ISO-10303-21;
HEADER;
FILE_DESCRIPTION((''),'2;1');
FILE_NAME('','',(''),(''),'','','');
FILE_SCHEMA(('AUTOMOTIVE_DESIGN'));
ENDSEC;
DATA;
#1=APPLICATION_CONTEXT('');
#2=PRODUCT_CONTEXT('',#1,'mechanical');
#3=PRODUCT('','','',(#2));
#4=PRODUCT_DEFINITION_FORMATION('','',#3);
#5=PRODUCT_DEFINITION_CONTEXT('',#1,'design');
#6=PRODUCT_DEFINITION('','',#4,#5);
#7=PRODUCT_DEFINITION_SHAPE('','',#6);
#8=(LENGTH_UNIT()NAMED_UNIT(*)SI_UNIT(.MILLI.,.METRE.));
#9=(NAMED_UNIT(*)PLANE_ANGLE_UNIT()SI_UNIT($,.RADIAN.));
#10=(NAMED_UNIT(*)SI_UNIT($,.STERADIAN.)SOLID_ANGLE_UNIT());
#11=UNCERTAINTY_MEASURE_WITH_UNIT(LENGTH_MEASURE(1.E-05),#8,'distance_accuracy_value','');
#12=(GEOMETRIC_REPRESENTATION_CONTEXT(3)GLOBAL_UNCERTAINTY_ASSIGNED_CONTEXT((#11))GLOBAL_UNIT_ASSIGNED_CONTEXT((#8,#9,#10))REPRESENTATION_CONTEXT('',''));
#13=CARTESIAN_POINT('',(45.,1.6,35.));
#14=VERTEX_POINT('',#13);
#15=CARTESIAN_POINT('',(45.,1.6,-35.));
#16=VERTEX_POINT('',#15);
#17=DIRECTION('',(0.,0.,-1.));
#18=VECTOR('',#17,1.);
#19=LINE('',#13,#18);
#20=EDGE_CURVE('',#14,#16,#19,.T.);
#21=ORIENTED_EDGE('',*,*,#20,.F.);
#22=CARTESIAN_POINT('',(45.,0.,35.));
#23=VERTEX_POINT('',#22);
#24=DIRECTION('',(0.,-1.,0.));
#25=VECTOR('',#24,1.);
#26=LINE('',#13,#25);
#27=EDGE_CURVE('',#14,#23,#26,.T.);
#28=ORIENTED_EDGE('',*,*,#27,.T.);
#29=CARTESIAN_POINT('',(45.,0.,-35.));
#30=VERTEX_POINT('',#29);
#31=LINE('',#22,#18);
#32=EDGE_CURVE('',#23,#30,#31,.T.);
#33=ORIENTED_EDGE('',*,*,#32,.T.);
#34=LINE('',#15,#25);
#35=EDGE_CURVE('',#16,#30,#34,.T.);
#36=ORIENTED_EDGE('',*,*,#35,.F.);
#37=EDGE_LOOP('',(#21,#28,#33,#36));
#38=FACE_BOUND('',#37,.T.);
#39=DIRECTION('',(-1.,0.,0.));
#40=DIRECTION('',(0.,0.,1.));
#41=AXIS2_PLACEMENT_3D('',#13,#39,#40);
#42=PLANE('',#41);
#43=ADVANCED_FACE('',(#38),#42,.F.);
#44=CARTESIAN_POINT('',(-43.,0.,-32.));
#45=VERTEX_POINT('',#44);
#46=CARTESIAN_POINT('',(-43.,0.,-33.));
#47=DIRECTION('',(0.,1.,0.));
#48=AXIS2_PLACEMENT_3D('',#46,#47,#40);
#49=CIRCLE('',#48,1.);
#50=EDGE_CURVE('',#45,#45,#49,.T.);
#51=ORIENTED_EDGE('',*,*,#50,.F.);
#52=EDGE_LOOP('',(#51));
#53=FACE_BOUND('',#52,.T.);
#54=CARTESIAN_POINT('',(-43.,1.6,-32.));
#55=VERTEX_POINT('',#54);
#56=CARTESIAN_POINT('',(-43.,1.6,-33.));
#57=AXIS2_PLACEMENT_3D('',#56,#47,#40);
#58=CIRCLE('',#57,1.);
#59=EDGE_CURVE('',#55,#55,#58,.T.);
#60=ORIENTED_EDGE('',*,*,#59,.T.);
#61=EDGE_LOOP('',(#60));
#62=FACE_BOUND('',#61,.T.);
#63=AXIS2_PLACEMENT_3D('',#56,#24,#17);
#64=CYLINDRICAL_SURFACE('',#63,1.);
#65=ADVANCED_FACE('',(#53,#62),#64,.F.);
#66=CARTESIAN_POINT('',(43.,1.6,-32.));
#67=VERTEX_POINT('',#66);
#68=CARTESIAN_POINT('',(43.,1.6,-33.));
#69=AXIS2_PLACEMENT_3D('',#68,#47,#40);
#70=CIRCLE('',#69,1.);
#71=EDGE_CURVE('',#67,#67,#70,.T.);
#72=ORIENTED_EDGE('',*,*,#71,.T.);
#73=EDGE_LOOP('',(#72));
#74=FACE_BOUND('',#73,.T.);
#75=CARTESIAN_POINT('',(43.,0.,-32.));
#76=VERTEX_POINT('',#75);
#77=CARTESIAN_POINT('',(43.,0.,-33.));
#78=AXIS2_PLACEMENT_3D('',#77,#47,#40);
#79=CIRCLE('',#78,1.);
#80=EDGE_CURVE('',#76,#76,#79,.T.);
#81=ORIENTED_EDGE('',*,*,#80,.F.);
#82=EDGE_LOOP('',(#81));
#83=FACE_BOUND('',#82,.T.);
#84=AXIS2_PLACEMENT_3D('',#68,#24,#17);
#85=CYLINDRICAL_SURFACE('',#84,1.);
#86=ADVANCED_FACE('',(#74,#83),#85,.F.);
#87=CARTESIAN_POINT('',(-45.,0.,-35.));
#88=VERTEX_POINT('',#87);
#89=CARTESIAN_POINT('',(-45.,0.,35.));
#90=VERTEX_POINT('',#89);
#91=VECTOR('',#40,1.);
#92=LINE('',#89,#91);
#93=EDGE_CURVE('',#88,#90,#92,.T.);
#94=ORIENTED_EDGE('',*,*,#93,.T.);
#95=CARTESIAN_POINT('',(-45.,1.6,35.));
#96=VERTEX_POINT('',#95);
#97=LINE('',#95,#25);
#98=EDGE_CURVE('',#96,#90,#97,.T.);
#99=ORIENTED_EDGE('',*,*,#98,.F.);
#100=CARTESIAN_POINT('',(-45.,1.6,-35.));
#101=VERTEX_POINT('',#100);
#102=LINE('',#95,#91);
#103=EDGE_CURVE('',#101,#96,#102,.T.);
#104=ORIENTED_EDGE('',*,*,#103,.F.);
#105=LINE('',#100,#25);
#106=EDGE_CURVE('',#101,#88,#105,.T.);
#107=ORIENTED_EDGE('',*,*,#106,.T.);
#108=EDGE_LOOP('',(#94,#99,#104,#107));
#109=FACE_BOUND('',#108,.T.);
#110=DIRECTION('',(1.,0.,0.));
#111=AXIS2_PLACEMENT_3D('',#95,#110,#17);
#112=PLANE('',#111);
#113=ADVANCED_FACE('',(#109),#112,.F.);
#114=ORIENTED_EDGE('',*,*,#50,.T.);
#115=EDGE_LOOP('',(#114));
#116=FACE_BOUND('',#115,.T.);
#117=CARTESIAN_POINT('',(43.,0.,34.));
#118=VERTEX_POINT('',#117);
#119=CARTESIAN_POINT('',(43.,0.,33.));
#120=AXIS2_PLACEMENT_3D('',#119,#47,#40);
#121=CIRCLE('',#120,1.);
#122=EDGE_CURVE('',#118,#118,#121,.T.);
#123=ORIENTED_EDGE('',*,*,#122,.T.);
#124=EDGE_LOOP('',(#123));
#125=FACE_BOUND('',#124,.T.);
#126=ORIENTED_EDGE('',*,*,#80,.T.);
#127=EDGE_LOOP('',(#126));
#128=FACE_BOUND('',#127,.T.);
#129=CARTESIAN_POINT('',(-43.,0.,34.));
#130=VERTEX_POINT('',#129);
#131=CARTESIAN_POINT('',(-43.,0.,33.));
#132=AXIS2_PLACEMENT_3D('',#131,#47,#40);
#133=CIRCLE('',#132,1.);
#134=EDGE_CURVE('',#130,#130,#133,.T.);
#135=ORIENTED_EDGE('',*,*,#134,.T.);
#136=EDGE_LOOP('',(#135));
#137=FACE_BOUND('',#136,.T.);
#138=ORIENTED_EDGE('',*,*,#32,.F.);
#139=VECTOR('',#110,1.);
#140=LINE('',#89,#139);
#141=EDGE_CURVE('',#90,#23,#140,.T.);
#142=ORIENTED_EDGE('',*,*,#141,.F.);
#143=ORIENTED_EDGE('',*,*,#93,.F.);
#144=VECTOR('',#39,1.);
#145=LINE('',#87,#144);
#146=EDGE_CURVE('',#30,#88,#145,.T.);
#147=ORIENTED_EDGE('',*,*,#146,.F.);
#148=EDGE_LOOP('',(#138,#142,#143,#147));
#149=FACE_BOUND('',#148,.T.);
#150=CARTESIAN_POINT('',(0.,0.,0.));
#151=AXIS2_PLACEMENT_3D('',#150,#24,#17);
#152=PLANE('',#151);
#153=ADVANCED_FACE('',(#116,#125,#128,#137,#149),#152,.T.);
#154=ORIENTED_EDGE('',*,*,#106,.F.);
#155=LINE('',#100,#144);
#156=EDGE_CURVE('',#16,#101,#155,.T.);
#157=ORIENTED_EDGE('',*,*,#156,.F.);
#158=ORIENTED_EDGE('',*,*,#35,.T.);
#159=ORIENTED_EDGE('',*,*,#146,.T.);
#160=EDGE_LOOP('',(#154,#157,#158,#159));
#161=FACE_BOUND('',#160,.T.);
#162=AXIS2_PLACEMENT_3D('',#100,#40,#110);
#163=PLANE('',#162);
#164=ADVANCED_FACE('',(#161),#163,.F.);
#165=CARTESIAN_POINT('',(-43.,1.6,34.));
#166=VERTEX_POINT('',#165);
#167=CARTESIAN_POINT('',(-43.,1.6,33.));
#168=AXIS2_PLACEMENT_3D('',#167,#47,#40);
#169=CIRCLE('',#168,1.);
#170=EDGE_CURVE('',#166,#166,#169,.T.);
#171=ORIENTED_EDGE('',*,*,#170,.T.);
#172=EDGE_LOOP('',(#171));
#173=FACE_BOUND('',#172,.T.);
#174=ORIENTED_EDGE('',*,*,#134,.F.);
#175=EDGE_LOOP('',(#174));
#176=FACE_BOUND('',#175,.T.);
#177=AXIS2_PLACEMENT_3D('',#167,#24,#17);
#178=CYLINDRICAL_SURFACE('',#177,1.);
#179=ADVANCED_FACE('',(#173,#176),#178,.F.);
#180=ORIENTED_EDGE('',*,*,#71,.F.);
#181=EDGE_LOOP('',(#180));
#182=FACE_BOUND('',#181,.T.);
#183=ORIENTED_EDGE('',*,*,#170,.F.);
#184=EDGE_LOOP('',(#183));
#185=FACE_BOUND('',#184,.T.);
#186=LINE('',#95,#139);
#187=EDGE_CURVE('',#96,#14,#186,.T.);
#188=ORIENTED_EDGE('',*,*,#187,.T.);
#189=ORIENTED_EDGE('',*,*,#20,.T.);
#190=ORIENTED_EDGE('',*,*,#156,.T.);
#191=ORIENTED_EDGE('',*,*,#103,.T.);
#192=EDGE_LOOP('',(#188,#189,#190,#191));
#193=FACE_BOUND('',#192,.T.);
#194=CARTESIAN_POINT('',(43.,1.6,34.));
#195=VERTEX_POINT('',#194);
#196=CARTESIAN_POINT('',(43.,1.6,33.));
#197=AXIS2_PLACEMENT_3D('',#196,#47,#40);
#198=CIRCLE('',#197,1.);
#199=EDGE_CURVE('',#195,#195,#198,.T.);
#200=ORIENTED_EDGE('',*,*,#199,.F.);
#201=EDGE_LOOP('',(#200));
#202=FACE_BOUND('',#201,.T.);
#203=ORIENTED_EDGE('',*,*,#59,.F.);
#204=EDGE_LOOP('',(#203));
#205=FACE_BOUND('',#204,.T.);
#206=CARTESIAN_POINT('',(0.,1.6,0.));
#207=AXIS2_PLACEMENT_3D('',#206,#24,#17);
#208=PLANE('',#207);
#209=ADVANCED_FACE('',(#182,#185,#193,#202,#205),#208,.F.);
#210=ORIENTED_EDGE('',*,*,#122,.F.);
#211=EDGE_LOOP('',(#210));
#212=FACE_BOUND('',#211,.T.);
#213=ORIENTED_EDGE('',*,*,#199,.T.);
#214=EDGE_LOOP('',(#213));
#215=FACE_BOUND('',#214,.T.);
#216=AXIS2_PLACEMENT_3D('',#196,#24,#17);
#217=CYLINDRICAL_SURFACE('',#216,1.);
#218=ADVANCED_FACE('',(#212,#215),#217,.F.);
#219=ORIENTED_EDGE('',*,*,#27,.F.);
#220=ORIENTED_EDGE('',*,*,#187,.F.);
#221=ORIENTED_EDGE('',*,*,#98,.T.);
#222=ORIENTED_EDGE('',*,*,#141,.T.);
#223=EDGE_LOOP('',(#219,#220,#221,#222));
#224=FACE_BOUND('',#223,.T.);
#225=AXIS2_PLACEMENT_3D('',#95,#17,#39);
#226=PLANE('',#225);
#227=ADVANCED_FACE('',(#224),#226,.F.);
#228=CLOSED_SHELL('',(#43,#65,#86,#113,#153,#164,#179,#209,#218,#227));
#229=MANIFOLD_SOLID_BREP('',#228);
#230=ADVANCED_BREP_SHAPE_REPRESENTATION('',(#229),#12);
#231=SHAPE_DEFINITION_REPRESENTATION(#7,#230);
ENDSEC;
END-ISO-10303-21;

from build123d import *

# Parameters (mm, degrees)
SKETCH1_W           = 90
SKETCH1_H           = 70
SKETCH1_R           = 1
BOSS_EXTRUDE1_DEPTH = 1.6


with BuildPart() as part:
    # Sketch1 → Boss-Extrude1 (new body)
    with BuildSketch(Plane(origin=(0, 0, 0), x_dir=(1, 0, 0), z_dir=(0, 1, 0))):
        Rectangle(SKETCH1_W, SKETCH1_H)
        with Locations(Location((-43, 33, 0), (0, 0, 270))):
            Circle(SKETCH1_R, mode=Mode.SUBTRACT)
        with Locations(Location((43, 33, 0), (0, 0, 270))):
            Circle(SKETCH1_R, mode=Mode.SUBTRACT)
        with Locations(Location((-43, -33, 0), (0, 0, 270))):
            Circle(SKETCH1_R, mode=Mode.SUBTRACT)
        with Locations(Location((43, -33, 0), (0, 0, 270))):
            Circle(SKETCH1_R, mode=Mode.SUBTRACT)
    extrude(amount=BOSS_EXTRUDE1_DEPTH)


solid = part.part
